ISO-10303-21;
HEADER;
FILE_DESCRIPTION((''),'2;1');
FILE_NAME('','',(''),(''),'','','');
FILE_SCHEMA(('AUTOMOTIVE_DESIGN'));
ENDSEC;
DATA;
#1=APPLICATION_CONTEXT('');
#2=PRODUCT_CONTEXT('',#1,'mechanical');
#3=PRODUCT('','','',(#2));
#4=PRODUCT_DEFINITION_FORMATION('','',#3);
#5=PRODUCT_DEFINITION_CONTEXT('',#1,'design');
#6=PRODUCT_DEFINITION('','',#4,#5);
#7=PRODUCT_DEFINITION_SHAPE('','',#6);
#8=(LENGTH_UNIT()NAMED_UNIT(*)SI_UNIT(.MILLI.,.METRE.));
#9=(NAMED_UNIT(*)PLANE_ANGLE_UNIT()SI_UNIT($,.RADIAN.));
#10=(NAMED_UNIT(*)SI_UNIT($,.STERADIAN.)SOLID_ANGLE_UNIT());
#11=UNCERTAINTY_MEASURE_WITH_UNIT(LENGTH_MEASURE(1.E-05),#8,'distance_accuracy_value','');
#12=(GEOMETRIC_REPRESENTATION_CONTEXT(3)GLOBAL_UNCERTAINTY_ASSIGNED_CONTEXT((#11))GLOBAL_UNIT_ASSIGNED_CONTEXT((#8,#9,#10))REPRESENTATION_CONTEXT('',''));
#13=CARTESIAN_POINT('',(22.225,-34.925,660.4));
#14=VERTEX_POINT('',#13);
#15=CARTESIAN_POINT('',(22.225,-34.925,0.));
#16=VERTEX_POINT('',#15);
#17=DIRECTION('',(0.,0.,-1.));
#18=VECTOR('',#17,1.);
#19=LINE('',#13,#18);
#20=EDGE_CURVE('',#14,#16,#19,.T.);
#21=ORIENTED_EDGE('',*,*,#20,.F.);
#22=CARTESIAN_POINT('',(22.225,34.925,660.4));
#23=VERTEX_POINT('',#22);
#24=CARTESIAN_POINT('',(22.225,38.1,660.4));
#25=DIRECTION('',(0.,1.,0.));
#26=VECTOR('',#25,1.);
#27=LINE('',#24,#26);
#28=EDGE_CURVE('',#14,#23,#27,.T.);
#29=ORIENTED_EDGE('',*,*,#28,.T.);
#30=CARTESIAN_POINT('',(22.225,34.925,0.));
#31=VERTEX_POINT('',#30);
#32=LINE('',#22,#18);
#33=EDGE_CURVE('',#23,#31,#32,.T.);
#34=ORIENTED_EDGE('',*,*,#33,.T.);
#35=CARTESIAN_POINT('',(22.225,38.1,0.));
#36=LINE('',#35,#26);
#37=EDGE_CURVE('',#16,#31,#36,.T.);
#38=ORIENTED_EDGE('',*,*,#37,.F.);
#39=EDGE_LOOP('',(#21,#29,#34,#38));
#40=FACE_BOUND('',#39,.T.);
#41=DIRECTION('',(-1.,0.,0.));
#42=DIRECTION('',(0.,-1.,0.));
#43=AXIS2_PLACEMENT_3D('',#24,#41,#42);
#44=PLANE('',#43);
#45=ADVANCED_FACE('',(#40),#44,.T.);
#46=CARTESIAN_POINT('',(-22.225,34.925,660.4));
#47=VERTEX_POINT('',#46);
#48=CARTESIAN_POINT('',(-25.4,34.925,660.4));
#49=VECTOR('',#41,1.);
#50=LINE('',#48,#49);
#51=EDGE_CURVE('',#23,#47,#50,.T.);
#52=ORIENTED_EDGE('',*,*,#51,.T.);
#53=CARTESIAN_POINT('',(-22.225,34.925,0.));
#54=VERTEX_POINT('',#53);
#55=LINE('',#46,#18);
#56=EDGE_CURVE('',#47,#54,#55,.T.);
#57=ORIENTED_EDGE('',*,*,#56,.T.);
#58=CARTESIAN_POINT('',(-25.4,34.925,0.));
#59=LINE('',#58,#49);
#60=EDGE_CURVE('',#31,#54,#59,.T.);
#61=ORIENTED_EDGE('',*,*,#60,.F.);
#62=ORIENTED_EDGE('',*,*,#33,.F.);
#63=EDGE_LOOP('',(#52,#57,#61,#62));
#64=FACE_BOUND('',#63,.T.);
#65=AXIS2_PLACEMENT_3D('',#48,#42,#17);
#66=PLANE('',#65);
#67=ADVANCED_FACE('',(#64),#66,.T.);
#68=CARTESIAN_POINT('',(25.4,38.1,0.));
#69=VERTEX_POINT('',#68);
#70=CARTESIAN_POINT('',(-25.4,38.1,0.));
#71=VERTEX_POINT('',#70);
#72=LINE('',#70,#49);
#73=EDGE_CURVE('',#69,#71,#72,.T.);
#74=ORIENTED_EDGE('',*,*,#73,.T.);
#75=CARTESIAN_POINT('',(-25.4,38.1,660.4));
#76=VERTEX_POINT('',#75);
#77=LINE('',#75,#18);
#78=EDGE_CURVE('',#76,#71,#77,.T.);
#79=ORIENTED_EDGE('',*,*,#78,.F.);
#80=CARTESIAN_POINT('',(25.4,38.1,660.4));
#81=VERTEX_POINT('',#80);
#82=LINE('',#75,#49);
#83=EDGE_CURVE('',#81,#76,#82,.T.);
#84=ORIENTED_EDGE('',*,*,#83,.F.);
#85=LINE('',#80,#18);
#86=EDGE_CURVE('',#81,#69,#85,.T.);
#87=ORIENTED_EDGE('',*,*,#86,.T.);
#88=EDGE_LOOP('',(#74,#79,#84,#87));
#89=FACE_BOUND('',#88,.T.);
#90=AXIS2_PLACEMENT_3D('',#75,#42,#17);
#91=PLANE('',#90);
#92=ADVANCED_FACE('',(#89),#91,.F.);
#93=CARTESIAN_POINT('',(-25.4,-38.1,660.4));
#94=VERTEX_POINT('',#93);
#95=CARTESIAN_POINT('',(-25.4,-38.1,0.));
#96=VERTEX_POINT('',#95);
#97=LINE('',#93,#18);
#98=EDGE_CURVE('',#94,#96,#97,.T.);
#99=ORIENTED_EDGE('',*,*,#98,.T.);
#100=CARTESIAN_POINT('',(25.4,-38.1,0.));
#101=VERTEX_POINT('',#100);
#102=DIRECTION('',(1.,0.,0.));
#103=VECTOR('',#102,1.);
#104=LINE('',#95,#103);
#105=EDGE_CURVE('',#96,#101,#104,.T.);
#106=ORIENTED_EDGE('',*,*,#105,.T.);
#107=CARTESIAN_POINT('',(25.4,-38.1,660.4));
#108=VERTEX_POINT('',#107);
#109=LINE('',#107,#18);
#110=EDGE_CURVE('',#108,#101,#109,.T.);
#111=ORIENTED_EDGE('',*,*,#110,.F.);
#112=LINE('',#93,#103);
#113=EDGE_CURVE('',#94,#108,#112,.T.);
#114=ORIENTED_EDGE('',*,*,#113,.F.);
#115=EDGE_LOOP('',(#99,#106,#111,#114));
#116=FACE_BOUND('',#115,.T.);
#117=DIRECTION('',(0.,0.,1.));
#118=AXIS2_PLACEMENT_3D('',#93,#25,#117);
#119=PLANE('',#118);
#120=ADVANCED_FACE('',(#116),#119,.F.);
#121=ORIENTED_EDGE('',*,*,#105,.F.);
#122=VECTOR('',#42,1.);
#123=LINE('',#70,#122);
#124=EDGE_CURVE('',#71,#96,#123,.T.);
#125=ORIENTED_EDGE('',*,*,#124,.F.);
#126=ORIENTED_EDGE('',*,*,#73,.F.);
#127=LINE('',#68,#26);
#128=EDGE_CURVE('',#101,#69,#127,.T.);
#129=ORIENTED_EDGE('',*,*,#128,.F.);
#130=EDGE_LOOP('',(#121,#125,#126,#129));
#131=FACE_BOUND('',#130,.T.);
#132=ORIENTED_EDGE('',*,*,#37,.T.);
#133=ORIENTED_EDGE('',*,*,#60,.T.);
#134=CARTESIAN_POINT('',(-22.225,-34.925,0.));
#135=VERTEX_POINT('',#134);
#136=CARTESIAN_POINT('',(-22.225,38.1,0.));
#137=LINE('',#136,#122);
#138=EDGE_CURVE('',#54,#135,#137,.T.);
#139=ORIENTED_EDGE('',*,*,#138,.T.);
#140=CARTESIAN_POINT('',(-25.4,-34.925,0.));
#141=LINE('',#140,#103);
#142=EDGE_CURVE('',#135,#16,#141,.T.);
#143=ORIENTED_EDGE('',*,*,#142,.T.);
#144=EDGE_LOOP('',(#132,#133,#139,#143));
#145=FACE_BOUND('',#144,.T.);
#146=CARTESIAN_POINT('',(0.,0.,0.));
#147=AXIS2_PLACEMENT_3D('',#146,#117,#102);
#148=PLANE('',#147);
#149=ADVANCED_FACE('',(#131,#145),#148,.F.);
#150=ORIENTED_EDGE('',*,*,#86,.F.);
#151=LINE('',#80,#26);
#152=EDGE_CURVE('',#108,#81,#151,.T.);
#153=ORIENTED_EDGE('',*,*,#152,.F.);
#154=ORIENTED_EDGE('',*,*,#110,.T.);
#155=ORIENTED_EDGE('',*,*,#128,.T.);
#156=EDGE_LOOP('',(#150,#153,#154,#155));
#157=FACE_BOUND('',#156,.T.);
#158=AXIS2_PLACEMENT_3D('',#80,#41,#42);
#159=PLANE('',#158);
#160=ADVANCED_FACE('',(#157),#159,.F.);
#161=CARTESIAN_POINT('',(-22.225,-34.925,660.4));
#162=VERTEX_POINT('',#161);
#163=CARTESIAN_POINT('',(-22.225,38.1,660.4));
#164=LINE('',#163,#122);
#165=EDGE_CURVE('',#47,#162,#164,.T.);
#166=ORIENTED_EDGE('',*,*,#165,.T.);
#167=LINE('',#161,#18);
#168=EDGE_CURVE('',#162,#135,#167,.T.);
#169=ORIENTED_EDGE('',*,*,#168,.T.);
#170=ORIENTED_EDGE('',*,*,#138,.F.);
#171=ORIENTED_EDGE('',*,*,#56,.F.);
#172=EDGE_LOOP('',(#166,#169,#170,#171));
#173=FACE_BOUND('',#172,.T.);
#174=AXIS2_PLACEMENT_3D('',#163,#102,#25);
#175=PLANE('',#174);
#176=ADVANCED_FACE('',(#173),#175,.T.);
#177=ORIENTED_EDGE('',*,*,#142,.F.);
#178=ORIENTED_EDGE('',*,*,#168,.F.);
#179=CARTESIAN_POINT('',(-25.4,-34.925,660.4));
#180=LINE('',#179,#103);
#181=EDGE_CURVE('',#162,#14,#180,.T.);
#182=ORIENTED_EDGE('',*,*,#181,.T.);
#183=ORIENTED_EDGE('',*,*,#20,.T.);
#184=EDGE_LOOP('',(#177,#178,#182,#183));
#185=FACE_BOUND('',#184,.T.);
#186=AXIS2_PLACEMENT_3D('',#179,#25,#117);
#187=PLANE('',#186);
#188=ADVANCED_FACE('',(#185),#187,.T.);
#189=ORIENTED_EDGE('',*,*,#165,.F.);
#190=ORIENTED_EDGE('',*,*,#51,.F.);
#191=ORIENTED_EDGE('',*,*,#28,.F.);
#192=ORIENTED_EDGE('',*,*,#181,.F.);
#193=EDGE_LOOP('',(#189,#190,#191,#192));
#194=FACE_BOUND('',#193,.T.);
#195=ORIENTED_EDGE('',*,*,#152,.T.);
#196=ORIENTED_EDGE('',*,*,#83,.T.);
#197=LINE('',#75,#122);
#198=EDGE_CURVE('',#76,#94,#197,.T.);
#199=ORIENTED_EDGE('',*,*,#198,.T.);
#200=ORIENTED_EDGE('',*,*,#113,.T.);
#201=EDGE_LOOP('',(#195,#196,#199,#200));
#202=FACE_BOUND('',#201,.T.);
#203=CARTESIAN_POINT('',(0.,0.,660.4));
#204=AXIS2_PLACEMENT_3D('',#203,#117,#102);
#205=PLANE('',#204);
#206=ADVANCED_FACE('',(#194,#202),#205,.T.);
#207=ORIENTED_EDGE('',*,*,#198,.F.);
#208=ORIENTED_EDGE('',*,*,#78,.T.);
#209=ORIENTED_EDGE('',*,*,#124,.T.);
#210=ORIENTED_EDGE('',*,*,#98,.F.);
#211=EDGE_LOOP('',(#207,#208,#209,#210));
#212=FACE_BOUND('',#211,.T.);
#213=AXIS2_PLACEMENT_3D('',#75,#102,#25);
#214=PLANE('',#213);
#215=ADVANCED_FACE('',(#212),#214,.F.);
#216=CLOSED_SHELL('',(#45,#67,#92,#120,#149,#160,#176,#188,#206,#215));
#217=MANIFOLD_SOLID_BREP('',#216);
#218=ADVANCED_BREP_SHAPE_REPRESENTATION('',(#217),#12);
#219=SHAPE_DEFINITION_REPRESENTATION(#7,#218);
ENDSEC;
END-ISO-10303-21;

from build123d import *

# Parameters (mm, degrees)
SKETCH1_W           = 50.8
SKETCH1_H           = 76.2
BOSS_EXTRUDE1_DEPTH = 660.4
SHELL1_T            = -3.175


with BuildPart() as part:
    # Sketch1 → Boss-Extrude1 (new body)
    with BuildSketch(Plane.XY):
        Rectangle(SKETCH1_W, SKETCH1_H)
    extrude(amount=BOSS_EXTRUDE1_DEPTH)

    # Shell1
    shell1_openings = [part.faces().sort_by_distance(p)[0] for p in [
        (0, 0, 660.4),
        (0, 0, 0),
    ]]
    offset(amount=SHELL1_T, openings=shell1_openings, kind=Kind.INTERSECTION)


solid = part.part
